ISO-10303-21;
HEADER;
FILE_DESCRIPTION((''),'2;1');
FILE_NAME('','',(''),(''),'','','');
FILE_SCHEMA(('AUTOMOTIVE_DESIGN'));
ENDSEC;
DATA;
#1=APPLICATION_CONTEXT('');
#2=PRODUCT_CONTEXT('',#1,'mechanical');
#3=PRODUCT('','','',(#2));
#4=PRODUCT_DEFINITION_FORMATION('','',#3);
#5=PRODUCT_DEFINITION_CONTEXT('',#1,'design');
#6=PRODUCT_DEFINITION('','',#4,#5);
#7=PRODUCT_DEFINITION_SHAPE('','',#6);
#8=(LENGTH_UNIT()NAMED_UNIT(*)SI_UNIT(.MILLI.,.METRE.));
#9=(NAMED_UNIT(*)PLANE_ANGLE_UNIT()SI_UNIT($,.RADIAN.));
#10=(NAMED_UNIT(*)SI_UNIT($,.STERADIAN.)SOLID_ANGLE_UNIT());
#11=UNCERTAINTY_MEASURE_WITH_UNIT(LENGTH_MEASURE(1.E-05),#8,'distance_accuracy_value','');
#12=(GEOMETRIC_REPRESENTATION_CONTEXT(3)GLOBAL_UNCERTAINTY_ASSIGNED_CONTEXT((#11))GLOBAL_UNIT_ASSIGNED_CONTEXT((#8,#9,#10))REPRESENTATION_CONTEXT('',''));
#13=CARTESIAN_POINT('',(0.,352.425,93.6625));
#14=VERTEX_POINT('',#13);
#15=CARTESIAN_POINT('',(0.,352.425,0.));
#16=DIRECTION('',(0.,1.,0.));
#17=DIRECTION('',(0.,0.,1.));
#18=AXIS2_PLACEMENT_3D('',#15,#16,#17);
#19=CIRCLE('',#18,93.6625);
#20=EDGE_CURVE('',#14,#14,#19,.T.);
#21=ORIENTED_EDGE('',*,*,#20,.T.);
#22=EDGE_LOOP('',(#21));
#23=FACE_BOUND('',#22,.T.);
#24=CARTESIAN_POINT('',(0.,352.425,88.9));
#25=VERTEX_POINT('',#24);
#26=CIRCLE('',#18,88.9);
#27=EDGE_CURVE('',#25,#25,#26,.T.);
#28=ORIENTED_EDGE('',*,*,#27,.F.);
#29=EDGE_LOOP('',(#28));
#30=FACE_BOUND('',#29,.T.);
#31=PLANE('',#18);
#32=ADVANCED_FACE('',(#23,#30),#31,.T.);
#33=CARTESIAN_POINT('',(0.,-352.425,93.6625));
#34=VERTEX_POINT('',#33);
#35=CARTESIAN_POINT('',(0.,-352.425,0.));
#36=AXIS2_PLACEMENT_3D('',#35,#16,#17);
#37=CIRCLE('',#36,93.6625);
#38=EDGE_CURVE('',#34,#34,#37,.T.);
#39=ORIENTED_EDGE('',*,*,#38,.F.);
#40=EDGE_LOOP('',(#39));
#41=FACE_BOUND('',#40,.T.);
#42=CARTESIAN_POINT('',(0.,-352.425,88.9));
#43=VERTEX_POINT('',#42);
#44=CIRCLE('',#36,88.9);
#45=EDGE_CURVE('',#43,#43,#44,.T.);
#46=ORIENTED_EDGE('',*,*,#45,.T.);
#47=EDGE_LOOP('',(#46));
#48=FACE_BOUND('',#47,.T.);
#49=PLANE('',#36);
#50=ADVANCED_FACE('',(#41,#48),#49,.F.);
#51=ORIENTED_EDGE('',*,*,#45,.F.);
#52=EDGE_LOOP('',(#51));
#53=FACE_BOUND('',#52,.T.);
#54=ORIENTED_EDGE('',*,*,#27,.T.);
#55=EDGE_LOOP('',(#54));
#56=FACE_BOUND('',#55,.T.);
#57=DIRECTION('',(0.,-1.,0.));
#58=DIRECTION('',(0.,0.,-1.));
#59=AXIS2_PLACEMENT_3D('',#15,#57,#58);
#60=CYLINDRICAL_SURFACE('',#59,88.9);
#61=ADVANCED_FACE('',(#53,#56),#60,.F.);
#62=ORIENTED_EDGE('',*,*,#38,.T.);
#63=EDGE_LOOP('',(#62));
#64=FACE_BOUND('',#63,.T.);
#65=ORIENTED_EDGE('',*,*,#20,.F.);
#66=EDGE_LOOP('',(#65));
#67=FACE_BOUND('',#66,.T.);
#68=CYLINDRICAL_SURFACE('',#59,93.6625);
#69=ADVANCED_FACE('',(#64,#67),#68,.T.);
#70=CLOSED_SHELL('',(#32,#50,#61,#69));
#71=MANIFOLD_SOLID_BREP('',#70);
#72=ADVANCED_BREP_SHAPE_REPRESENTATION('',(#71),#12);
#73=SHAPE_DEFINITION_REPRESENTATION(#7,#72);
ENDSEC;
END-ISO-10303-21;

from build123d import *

# Parameters (mm, degrees)
SKETCH1_R           = 93.6625
SKETCH1_R_2         = 88.9
BOSS_EXTRUDE1_DEPTH = 352.425


with BuildPart() as part:
    # Sketch1 → Boss-Extrude1 (new body, symmetric)
    with BuildSketch(Plane(origin=(0, 0, 0), x_dir=(1, 0, 0), z_dir=(0, 1, 0))):
        Circle(SKETCH1_R)
        Circle(SKETCH1_R_2, mode=Mode.SUBTRACT)
    extrude(amount=BOSS_EXTRUDE1_DEPTH, both=True)


solid = part.part
